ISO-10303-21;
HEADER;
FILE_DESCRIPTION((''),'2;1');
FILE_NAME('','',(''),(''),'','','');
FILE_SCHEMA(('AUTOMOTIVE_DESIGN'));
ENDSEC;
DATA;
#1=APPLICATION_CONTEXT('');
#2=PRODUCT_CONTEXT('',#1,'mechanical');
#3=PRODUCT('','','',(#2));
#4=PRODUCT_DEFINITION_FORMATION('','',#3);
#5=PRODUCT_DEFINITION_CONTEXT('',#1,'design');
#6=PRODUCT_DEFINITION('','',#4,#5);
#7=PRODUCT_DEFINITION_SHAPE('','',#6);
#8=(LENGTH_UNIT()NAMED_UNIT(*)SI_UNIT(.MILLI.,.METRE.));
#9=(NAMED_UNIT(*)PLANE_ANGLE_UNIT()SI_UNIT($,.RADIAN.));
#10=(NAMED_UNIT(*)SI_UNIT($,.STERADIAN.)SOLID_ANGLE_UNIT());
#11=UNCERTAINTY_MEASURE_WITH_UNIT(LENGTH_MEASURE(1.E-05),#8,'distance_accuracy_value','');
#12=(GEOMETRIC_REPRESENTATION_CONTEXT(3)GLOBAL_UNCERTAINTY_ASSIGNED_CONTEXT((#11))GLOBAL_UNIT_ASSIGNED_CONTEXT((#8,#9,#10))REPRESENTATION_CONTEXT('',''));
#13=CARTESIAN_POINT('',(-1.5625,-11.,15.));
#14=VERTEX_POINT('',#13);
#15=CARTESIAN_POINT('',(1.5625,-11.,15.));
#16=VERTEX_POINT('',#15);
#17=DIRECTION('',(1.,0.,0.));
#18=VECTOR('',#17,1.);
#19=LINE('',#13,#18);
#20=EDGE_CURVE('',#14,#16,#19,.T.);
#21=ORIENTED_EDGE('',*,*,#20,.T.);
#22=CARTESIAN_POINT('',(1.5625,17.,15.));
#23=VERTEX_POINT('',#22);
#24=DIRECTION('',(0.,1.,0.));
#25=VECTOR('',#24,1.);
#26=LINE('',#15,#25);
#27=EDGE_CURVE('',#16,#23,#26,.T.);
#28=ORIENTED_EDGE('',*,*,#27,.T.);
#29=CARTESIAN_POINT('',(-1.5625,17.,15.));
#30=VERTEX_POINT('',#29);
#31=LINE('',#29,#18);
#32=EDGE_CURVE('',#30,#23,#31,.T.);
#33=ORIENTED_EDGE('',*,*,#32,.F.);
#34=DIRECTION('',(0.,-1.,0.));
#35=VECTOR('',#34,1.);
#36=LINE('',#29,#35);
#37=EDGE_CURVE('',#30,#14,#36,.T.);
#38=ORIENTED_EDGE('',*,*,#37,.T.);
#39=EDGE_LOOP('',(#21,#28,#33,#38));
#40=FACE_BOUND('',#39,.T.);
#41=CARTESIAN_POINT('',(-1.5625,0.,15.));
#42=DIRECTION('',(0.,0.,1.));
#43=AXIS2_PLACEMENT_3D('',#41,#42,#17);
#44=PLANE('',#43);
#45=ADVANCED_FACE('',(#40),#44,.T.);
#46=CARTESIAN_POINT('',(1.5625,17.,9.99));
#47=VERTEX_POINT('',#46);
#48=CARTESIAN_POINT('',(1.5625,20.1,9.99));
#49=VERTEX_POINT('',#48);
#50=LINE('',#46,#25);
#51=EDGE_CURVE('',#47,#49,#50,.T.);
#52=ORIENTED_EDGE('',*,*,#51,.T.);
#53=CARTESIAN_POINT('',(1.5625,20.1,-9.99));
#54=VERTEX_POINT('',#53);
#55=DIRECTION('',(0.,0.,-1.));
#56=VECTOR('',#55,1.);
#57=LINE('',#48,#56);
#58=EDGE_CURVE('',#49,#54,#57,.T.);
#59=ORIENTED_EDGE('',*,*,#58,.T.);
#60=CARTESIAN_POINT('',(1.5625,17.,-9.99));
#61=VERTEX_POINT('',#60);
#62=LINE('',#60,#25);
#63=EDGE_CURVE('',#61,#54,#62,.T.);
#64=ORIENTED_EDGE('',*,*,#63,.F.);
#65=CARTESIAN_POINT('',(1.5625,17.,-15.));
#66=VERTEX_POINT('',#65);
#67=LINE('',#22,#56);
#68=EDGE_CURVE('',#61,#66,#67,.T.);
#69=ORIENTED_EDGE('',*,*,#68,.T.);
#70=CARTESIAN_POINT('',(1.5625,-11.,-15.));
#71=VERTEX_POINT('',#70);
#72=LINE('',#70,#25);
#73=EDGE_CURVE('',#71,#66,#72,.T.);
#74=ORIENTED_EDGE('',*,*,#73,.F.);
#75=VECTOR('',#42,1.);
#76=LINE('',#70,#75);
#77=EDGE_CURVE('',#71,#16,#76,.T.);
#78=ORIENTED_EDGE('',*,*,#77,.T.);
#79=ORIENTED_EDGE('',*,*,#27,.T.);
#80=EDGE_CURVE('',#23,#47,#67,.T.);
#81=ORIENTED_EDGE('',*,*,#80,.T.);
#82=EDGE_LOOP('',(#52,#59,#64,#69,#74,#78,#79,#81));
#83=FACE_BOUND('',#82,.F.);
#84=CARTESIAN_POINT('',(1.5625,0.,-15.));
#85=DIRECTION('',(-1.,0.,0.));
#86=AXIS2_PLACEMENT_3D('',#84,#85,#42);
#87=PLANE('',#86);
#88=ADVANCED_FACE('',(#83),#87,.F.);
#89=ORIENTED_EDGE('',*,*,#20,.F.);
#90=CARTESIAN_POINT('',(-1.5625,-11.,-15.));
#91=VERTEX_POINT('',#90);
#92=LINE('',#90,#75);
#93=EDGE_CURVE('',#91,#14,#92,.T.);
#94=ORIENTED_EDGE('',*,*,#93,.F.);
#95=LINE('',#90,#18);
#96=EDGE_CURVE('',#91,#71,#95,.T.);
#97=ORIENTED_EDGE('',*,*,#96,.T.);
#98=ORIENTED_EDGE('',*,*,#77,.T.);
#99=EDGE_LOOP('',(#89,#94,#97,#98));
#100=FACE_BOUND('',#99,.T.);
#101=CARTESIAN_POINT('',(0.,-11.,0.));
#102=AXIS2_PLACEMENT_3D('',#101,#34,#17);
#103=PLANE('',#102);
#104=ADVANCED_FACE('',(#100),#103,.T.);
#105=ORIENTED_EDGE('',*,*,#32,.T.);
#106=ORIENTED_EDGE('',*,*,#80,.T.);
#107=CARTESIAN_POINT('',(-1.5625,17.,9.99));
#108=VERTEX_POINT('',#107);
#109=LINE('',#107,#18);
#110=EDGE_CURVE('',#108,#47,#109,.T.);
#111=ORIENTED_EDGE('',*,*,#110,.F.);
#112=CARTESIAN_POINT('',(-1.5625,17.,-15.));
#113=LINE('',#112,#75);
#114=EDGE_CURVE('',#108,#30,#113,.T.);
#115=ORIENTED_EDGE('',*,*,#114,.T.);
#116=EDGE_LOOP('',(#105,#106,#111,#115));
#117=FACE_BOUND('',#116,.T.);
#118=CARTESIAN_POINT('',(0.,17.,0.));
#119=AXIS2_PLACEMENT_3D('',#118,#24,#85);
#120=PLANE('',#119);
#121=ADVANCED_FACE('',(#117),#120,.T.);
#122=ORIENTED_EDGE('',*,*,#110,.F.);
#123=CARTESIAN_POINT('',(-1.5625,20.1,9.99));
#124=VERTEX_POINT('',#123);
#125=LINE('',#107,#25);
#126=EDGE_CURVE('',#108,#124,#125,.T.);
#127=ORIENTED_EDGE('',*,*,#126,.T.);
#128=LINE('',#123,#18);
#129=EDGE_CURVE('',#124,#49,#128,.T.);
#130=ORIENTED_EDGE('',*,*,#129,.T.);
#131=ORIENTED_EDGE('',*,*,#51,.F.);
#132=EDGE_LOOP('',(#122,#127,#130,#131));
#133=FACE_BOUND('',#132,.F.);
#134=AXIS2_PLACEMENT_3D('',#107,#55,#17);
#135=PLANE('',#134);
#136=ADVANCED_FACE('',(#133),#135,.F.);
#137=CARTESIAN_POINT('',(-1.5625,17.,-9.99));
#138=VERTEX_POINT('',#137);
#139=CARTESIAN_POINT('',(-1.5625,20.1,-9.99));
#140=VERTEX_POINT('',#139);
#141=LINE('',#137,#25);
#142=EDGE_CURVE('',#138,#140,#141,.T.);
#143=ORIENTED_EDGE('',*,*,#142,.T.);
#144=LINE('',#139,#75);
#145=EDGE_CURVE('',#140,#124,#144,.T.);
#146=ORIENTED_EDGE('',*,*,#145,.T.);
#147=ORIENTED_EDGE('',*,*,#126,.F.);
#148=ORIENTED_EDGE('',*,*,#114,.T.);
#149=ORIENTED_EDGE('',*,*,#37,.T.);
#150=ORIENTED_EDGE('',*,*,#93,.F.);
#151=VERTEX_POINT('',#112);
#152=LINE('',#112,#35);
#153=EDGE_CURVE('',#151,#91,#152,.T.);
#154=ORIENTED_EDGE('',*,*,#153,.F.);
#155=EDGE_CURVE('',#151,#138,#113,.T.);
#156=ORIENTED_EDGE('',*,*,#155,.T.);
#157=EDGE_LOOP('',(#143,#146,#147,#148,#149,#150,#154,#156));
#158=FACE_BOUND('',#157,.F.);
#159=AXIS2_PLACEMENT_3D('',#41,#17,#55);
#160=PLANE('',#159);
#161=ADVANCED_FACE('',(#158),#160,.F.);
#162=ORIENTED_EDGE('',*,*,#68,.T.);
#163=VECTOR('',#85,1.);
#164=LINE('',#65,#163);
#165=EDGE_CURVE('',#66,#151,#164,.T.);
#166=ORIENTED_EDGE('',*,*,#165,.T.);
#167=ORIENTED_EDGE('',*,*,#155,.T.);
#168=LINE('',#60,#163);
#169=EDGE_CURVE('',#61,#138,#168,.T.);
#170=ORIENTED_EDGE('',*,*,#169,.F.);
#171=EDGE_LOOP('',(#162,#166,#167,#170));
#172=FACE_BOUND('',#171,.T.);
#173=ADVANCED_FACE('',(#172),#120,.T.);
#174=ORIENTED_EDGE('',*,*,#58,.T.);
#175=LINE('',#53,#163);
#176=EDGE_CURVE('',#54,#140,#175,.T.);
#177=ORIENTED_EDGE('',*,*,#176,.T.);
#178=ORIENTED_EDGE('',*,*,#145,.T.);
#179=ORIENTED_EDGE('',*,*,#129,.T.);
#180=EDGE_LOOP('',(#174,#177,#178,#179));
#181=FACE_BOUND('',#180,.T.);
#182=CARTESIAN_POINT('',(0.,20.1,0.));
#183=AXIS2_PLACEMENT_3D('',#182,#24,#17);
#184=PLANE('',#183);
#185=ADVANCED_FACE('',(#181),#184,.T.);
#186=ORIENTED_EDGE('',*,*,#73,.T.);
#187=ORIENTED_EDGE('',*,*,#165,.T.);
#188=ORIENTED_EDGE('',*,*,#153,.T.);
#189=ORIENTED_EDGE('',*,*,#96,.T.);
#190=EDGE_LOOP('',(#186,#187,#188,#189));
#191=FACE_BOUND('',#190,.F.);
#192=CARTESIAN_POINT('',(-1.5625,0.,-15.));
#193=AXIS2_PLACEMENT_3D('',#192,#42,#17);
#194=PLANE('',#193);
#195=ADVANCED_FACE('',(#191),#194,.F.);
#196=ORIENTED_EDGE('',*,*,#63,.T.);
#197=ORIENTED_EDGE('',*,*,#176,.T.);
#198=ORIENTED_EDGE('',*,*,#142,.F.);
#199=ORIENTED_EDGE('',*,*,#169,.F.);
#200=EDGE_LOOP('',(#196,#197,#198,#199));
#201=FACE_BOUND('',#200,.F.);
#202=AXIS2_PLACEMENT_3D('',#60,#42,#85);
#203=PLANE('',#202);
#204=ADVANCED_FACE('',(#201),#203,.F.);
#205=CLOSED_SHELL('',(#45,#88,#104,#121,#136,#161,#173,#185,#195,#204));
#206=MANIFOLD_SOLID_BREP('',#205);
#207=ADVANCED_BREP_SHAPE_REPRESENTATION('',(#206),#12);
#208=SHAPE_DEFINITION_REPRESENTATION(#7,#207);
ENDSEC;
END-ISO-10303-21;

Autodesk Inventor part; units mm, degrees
ref_plane "YZ Plane" through (0, 0, 0) normal (1, 0, 0) x (0, 1, 0)
ref_plane "XZ Plane" through (0, 0, 0) normal (0, 1, 0) x (-1, 0, 0)
ref_plane "XY Plane" through (0, 0, 0) normal (0, 0, 1) x (1, 0, 0)
sketch "Sketch1" plane through (0, 0, 0) normal (0, 1, 0) x (-1, 0, 0)
  line L0 (1.5625, 15) -> (-1.5625, 15)
  line L1 (-1.5625, 15) -> (-1.5625, -15)
  line L2 (-1.5625, -15) -> (1.5625, -15)
  line L3 (1.5625, -15) -> (1.5625, 15)
  line L4 (1.5625, 15) -> (-1.5625, -15) construction
  line L5 (-1.5625, 15) -> (1.5625, -15) construction
  point P0 (0, 0)
  dimension "d0" = 3.125
  dimension "d1" = 30
extrude "Extrusion1" add sketch "Sketch1" along normal blind 17
sketch "Sketch3" plane through (0, 17, 0) normal (0, 1, 0) x (1, 0, 0)
  line L0 (-1.5625, -9.99) -> (1.5625, -9.99)
  line L1 (1.5625, -9.99) -> (1.5625, 9.99)
  line L2 (1.5625, 9.99) -> (-1.5625, 9.99)
  line L3 (-1.5625, 9.99) -> (-1.5625, -9.99)
  line L4 (-1.5625, -9.99) -> (1.5625, 9.99) construction
  line L5 (1.5625, -9.99) -> (-1.5625, 9.99) construction
  point P0 (0, 0)
  dimension "d4" = 3.125
  dimension "d5" = 19.98
extrude "Extrusion2" add sketch "Sketch3" along normal blind 3.1
sketch "Sketch4" plane through (0, 0, 0) normal (0, -1, 0) x (1, 0, 0)
  line L0 (-1.5625, 15) -> (1.5625, 15) projected
  line L1 (-1.5625, -15) -> (-1.5625, -9.99) projected
  line L2 (1.5625, 15) -> (-1.5625, 15)
  line L3 (-1.5625, 15) -> (-1.5625, -15)
  line L4 (-1.5625, -15) -> (1.5625, -15)
  line L5 (1.5625, -15) -> (1.5625, 15)
  point P0 (0, 0)
extrude "Extrusion3" add sketch "Sketch4" along normal blind 11
properties part number "bate2_3DPrint"
